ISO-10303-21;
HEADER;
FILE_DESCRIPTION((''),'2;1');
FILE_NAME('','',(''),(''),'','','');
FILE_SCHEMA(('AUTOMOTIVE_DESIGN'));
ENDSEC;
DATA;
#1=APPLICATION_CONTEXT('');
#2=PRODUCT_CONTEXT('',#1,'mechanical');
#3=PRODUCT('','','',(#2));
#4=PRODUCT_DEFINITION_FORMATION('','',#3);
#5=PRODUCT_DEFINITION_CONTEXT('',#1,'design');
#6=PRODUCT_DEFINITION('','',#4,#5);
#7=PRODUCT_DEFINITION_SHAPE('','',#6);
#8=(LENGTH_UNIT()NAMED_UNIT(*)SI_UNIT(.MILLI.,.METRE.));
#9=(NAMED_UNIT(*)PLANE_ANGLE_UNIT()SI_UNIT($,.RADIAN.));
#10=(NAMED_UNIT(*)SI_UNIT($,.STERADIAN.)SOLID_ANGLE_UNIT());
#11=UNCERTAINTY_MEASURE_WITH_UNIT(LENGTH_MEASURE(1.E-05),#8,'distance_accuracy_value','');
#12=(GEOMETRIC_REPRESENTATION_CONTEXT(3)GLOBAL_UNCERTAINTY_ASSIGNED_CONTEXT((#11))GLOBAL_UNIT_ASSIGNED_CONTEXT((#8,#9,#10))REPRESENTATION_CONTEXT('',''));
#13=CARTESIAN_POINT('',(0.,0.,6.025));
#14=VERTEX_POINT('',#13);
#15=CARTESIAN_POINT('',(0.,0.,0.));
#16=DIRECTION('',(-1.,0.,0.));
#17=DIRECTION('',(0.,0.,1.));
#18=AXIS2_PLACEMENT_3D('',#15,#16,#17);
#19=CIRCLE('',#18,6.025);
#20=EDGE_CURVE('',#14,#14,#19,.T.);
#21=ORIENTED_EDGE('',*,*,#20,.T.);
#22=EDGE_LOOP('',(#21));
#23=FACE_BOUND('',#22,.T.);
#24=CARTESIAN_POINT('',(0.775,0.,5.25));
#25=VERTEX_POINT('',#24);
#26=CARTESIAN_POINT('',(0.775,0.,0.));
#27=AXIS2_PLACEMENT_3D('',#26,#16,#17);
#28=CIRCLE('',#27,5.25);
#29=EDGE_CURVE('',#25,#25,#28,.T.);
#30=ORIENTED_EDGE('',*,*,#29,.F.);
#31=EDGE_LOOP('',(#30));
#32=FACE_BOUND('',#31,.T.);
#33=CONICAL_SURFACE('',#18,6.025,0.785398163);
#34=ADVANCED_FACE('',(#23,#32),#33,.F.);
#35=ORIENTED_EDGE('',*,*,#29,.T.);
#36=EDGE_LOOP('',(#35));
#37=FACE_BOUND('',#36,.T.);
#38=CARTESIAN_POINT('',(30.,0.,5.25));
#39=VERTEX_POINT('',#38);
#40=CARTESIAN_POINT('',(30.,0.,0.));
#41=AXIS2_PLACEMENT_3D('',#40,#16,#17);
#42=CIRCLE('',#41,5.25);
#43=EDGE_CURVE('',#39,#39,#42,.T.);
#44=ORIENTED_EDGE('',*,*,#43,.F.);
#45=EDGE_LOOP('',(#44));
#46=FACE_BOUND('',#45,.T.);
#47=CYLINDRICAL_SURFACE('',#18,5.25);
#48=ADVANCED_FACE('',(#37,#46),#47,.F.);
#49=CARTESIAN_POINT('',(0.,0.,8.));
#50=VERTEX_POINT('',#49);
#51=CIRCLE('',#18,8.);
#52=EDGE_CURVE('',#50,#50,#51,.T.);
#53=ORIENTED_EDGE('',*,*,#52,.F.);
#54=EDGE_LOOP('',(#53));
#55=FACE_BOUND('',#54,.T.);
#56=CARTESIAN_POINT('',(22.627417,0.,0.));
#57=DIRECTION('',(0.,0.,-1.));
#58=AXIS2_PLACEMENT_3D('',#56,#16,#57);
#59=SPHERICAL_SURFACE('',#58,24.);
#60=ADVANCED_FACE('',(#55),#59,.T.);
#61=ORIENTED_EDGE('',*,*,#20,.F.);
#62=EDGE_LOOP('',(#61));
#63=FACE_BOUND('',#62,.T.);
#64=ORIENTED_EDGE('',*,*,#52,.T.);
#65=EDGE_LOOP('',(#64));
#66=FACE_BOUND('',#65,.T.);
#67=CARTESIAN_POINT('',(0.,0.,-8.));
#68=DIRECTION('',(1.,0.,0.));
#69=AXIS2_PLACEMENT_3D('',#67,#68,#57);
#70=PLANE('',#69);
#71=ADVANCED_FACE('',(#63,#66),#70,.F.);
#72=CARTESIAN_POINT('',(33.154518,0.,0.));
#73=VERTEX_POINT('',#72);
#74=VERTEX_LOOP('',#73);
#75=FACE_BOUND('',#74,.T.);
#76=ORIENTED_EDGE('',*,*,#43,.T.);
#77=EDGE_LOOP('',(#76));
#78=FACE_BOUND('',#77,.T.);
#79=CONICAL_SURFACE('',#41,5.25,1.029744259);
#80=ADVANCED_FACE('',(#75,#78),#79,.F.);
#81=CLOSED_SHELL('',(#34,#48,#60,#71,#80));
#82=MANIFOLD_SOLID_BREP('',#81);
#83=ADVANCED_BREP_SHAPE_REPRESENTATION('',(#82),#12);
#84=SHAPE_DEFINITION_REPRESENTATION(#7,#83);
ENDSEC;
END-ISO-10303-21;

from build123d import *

# Parameters (mm, degrees)
FURO_ROSCADO_DE_M12X1_51_D           = 10.5
FURO_ROSCADO_DE_M12X1_51_DEPTH       = 30
FURO_ROSCADO_DE_M12X1_51_CSINK_D     = 12.05
FURO_ROSCADO_DE_M12X1_51_CSINK_ANGLE = 90
FURO_ROSCADO_DE_M12X1_51_TIP         = 3.15451825


with BuildPart() as part:
    # Esboço1 → Revolução1 (revolve)
    with BuildSketch(Plane(origin=(0, 0, 0), x_dir=(1, 0, 0), z_dir=(0, 1, 0))):
        with BuildLine():
            Line((46.627416998, 0), (0, 0))
            Line((0, 0), (0, 8))
            ThreePointArc((0, 8), (26.685864487, 23.654365432), (46.627416998, 0))
        make_face()
    revolve(axis=Axis((5.928556183, 0, 0), (1, 0, 0)))

    # Furo roscado de M12x1.51
    with Locations(Plane.ZY):
        with Locations((0, 0)):
            CounterSinkHole(FURO_ROSCADO_DE_M12X1_51_D / 2, FURO_ROSCADO_DE_M12X1_51_CSINK_D / 2, depth=FURO_ROSCADO_DE_M12X1_51_DEPTH, counter_sink_angle=FURO_ROSCADO_DE_M12X1_51_CSINK_ANGLE)
            with Locations((0, 0, -(FURO_ROSCADO_DE_M12X1_51_DEPTH + FURO_ROSCADO_DE_M12X1_51_TIP / 2))):  # 118° drill point
                Cone(0, FURO_ROSCADO_DE_M12X1_51_D / 2, FURO_ROSCADO_DE_M12X1_51_TIP, mode=Mode.SUBTRACT)


solid = part.part
